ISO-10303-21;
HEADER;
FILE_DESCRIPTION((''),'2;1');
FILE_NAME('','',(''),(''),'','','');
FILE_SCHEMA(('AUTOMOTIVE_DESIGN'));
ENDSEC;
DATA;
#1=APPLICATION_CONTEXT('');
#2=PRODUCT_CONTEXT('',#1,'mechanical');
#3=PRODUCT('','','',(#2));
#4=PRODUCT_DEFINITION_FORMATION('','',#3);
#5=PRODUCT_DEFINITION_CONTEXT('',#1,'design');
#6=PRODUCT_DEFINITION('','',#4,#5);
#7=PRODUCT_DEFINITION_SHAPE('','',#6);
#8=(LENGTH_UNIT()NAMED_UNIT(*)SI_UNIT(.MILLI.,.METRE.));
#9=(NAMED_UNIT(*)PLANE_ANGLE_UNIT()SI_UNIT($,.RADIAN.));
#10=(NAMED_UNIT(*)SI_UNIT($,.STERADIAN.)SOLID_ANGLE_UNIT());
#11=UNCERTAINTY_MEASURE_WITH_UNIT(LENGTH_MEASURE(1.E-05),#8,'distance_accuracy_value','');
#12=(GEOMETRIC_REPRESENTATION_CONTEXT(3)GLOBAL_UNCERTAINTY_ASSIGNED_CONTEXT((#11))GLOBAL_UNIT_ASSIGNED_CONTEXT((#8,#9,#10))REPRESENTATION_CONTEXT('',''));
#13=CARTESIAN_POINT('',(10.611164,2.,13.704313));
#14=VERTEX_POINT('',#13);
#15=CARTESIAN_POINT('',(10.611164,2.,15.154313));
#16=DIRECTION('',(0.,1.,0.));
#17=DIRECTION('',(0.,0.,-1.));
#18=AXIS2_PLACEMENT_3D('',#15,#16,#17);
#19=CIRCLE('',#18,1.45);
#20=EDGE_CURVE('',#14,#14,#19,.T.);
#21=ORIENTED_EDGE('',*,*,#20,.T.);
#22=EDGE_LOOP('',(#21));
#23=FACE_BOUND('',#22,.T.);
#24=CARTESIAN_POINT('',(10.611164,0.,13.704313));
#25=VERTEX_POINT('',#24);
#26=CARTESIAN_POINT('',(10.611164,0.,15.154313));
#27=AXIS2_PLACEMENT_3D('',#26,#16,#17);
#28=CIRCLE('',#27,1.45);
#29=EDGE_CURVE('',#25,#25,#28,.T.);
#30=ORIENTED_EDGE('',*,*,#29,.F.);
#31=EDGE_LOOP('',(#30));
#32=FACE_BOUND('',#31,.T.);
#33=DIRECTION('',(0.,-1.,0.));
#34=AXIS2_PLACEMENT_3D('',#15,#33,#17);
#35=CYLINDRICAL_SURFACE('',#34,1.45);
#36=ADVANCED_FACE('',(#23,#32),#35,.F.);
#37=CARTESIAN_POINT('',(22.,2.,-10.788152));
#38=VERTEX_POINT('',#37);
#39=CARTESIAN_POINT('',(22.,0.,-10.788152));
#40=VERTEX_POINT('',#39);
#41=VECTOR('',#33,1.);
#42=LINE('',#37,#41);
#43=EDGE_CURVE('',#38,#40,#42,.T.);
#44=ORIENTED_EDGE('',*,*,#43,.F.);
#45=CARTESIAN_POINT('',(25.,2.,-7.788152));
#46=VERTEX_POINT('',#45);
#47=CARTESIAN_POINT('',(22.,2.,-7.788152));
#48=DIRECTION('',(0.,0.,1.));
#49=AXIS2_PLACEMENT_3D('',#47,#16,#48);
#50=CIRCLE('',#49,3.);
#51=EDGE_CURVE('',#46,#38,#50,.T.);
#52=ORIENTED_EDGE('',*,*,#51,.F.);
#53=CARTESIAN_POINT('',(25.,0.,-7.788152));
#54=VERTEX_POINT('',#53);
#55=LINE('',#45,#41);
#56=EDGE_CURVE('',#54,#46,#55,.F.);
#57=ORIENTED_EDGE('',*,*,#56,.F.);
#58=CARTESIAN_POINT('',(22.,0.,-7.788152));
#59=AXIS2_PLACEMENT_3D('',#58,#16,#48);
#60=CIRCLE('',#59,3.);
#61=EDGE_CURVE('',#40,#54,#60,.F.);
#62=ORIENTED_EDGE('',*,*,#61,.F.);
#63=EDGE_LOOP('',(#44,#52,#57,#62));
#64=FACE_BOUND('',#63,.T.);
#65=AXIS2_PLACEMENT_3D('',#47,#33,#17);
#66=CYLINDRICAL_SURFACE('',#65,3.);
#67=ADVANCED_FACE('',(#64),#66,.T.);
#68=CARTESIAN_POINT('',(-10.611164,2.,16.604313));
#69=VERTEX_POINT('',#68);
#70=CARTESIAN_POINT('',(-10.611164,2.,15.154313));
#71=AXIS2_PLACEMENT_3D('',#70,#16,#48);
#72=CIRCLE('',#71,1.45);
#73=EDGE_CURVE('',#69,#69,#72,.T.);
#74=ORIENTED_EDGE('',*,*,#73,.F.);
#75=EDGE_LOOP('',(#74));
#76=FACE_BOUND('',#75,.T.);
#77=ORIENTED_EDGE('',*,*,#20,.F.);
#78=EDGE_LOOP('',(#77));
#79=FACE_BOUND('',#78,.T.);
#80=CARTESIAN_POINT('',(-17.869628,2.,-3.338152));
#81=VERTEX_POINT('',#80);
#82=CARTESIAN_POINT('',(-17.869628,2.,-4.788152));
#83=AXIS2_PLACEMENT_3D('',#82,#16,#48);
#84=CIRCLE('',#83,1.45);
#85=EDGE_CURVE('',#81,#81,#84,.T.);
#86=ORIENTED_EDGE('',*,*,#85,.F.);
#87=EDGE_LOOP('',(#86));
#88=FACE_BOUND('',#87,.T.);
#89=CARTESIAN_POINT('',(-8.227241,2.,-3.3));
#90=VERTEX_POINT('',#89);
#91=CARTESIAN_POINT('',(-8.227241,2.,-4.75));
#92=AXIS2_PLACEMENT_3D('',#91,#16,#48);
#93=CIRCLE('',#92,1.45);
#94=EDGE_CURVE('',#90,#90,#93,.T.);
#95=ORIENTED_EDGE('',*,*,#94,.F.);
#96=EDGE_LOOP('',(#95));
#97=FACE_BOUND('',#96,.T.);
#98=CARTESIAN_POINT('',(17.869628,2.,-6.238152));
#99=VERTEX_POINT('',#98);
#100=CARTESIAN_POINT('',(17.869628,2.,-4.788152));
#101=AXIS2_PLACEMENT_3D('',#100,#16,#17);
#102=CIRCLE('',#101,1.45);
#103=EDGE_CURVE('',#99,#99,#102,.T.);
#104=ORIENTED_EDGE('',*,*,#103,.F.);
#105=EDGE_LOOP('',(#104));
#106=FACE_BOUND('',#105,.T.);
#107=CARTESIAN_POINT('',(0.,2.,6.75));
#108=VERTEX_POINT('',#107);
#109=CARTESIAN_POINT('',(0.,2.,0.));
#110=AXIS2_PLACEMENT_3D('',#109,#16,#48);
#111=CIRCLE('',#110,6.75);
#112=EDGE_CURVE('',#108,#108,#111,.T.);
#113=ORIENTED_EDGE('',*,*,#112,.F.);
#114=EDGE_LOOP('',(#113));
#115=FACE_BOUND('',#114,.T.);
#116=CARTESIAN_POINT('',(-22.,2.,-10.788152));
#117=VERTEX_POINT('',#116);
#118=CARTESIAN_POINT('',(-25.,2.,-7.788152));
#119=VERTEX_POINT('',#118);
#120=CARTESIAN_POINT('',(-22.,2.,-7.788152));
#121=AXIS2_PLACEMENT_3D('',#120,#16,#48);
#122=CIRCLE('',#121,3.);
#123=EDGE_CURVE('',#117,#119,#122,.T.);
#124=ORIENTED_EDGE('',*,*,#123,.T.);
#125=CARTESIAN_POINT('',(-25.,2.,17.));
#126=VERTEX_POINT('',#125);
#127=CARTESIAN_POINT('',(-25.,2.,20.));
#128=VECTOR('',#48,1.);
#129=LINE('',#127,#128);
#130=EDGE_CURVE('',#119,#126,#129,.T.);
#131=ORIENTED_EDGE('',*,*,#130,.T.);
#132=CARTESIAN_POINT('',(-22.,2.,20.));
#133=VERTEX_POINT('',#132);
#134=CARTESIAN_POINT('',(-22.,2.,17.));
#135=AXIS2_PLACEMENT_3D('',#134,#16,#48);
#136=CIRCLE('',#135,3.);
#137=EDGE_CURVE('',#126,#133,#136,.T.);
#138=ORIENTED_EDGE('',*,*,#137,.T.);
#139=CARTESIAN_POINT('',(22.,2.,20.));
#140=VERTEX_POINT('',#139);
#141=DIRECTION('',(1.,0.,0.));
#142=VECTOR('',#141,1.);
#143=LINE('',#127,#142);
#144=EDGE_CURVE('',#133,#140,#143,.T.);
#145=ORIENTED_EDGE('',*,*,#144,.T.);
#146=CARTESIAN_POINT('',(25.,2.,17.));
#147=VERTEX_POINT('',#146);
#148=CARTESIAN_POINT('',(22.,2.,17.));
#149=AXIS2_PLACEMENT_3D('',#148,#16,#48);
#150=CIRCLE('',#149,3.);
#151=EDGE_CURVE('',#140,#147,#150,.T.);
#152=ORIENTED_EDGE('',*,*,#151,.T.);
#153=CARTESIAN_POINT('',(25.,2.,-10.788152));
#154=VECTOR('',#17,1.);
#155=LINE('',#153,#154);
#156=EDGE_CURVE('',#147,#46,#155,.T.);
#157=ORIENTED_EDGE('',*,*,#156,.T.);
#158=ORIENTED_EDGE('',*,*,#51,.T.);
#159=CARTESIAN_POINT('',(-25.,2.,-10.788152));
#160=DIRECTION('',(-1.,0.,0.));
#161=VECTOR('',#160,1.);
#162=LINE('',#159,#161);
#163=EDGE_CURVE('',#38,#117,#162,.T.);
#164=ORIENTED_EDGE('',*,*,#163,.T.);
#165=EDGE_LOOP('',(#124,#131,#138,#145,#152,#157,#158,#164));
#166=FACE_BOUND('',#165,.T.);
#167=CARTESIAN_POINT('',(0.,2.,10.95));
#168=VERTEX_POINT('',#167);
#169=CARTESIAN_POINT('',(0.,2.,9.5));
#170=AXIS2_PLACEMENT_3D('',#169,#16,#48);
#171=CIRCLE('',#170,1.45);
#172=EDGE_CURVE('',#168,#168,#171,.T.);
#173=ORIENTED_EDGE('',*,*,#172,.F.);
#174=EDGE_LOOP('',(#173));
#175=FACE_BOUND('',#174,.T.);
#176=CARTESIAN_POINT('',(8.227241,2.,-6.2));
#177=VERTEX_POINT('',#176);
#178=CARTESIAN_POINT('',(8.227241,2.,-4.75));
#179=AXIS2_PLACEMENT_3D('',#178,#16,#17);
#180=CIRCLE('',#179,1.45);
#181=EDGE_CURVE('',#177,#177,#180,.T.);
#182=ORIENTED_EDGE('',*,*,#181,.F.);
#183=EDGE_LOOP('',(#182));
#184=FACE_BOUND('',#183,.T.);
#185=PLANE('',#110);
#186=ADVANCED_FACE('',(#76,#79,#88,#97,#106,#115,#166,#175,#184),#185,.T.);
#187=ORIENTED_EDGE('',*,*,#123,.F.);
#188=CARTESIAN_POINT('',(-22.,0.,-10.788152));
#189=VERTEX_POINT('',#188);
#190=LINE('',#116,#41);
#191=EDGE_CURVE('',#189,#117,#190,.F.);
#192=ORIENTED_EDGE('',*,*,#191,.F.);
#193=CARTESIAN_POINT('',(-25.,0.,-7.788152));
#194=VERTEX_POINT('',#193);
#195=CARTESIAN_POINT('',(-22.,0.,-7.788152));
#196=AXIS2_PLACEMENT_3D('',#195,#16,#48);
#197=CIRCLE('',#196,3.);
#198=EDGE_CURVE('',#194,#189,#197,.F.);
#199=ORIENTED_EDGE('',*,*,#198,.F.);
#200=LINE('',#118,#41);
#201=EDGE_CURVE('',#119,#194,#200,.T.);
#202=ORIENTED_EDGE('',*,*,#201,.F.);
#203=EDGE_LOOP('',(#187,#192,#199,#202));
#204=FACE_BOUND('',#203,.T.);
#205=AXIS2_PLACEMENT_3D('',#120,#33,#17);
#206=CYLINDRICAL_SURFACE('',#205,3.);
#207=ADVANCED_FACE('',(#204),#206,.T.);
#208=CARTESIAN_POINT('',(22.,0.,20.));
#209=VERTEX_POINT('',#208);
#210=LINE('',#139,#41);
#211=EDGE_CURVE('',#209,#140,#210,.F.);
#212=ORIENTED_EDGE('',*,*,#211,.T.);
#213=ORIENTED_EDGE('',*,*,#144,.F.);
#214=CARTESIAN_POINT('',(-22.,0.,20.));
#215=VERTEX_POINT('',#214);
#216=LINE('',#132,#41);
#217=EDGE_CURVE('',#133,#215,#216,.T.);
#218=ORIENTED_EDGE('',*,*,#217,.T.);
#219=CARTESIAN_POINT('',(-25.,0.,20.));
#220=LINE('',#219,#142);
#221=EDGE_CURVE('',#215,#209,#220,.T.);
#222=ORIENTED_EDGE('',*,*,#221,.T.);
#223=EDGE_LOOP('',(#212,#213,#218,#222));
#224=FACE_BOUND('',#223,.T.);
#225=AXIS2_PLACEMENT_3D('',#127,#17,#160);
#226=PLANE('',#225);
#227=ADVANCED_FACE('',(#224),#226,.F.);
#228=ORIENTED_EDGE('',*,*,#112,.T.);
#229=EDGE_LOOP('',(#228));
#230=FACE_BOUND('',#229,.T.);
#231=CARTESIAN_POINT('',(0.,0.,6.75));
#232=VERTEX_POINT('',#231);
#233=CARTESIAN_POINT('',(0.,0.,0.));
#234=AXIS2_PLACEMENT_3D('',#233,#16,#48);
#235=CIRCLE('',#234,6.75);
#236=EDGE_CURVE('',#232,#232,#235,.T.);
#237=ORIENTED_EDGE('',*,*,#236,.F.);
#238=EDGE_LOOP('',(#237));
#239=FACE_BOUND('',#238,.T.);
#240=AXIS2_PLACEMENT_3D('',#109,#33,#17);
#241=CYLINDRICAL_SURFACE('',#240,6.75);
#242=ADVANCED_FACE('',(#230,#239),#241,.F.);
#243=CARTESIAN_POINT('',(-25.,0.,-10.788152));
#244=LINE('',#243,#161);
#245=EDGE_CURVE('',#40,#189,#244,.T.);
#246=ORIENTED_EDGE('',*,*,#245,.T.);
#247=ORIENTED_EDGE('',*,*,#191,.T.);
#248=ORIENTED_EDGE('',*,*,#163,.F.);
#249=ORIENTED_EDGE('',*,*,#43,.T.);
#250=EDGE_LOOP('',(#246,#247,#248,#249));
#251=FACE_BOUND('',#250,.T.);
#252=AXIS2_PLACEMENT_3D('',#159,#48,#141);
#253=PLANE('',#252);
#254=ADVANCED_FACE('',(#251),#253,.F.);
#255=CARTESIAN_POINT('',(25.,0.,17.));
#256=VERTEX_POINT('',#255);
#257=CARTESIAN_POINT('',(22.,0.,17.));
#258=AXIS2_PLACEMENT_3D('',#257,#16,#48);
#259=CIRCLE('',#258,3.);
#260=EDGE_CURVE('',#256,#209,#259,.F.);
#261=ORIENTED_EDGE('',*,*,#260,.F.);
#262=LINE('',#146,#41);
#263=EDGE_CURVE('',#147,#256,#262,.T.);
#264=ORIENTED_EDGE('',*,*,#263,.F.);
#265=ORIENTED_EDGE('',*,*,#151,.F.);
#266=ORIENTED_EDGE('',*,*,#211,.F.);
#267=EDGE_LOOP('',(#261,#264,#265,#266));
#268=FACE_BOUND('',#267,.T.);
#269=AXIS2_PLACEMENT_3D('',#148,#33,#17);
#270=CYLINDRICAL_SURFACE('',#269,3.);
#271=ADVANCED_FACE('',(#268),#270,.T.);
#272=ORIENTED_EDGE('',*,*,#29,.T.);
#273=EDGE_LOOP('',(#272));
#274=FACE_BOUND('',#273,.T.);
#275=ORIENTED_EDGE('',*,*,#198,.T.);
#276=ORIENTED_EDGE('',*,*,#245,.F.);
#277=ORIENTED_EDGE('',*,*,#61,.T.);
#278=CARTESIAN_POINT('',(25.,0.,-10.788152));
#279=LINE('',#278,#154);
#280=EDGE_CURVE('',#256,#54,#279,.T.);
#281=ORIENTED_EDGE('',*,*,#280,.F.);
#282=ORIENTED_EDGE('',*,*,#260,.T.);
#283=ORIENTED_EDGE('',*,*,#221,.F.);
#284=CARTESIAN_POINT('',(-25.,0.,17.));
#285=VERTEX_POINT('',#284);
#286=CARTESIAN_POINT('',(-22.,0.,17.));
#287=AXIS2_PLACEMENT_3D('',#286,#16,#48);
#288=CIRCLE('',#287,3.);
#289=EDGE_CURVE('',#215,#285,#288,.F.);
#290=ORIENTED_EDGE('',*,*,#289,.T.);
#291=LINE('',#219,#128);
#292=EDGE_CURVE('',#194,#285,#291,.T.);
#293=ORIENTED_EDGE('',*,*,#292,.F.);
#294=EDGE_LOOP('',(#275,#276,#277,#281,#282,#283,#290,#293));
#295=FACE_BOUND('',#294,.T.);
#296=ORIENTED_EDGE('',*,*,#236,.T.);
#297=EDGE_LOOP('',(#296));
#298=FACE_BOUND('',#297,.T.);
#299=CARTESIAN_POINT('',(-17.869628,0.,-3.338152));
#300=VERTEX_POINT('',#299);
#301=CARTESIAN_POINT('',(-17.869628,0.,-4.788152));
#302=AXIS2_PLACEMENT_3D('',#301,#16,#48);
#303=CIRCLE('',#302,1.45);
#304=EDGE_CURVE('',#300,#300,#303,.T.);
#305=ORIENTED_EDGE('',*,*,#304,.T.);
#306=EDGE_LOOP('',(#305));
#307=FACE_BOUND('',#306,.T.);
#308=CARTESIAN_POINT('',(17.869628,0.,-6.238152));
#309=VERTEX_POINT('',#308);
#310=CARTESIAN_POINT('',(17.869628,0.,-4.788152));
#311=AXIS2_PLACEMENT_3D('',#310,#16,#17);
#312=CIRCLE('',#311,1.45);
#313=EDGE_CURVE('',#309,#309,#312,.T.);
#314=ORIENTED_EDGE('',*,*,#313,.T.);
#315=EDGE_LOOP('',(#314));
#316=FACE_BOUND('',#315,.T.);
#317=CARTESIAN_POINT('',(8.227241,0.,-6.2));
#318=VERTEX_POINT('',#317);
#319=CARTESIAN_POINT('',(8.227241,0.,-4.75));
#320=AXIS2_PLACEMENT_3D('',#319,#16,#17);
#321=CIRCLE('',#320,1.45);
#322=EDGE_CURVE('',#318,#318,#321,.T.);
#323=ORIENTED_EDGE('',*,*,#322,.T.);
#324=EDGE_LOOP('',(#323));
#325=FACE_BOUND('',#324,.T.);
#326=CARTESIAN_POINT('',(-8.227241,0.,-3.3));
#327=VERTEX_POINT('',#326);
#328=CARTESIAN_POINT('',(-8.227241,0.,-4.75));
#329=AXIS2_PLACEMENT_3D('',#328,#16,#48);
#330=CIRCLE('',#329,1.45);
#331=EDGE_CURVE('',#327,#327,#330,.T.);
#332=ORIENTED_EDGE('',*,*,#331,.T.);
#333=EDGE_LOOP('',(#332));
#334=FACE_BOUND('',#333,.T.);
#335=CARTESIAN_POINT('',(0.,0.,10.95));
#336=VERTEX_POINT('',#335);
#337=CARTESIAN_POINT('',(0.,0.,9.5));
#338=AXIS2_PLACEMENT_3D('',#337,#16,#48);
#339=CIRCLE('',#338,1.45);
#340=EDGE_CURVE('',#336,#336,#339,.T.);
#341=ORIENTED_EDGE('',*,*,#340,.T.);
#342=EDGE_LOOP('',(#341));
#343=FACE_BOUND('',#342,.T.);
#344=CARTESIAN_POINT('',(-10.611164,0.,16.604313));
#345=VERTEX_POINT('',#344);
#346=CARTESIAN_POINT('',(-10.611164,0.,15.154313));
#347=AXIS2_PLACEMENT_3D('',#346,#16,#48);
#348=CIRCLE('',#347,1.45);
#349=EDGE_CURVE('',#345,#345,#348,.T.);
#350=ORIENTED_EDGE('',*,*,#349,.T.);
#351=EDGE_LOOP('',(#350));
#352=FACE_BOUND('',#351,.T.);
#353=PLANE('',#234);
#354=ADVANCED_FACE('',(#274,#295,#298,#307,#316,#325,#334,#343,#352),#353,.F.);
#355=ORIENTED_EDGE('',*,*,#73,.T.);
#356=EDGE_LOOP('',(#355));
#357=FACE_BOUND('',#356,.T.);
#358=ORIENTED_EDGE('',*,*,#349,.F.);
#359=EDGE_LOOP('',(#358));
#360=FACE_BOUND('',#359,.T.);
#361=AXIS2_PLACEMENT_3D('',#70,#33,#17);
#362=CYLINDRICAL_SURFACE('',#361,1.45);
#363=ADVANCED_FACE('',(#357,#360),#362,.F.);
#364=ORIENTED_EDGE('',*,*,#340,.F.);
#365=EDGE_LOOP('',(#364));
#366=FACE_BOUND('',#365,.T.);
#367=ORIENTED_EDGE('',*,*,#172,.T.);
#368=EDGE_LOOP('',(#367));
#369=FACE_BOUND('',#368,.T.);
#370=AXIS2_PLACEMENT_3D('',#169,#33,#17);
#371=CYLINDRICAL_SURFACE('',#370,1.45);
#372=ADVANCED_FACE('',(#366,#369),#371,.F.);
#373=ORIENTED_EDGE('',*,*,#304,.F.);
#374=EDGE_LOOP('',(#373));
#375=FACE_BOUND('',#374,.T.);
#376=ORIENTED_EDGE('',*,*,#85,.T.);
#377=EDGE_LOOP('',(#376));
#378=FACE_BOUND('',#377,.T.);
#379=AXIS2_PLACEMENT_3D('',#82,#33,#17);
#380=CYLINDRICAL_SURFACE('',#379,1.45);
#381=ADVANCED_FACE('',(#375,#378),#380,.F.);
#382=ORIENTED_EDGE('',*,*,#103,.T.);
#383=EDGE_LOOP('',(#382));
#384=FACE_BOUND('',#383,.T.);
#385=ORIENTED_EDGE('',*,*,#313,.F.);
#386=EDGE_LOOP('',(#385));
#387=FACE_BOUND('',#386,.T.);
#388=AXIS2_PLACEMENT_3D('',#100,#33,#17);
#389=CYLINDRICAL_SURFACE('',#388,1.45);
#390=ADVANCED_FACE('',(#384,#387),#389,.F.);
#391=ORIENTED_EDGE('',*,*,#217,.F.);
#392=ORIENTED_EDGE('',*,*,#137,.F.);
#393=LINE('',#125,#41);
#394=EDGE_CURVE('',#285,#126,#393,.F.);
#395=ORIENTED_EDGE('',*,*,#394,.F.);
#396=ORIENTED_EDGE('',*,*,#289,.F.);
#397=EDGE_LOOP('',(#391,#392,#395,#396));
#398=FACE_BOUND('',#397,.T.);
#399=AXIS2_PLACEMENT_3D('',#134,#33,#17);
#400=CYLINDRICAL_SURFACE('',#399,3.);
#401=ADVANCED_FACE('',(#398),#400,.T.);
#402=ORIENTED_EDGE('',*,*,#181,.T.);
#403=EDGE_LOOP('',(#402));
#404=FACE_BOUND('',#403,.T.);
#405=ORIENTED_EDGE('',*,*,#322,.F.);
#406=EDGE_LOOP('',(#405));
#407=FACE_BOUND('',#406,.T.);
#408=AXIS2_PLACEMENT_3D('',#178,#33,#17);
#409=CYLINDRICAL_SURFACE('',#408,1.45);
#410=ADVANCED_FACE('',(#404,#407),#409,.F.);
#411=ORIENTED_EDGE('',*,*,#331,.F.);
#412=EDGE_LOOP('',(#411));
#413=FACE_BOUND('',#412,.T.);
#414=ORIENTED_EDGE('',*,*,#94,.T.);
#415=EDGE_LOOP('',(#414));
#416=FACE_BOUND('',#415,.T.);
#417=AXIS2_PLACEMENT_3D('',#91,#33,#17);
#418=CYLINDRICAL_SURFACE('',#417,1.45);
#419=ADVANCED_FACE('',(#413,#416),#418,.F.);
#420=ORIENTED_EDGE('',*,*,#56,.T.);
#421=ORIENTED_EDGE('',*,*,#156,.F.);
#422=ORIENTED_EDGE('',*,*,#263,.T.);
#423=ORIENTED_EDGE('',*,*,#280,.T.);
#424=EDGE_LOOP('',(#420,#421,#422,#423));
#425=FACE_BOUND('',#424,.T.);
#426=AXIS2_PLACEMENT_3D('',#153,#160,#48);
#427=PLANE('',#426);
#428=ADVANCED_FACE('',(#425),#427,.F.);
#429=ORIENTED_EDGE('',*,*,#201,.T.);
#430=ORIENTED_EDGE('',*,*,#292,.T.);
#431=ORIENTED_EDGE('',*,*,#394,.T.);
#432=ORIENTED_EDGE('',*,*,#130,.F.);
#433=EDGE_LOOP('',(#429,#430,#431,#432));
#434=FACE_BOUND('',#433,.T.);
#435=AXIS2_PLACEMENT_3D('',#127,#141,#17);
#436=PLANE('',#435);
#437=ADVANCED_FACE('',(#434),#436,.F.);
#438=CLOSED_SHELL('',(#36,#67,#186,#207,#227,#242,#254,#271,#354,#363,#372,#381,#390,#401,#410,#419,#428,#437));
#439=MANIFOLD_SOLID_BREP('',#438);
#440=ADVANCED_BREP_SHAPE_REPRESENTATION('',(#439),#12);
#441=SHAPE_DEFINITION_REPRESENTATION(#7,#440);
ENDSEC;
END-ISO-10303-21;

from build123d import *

# Parameters (mm, degrees)
SKETCH_2_W      = 50
SKETCH_2_H      = 30.788152334
SKETCH_2_R      = 6.75
SKETCH_2_R_2    = 1.45
EXTRUDE_1_DEPTH = 2
FILLET_2_R      = 3


with BuildPart() as part:
    # 草图2 → 凸台-拉伸1 (new body)
    with BuildSketch(Plane(origin=(0, 0, 0), x_dir=(1, 0, 0), z_dir=(0, 1, 0))):
        with Locations((0, -4.605923833)):
            Rectangle(SKETCH_2_W, SKETCH_2_H)
        with Locations(Location((0, 0, 0), (0, 0, 270))):
            Circle(SKETCH_2_R, mode=Mode.SUBTRACT)
        with Locations(Location((-8.227241336, 4.75, 0), (0, 0, 270))):
            Circle(SKETCH_2_R_2, mode=Mode.SUBTRACT)
        with Locations(Location((0, -9.5, 0), (0, 0, 270))):
            Circle(SKETCH_2_R_2, mode=Mode.SUBTRACT)
        with Locations(Location((8.227241336, 4.75, 0), (0, 0, 90))):
            Circle(SKETCH_2_R_2, mode=Mode.SUBTRACT)
        with Locations(Location((-10.611164072, -15.154312819, 0), (0, 0, 270))):
            Circle(SKETCH_2_R_2, mode=Mode.SUBTRACT)
        with Locations(Location((-17.869627786, 4.788152334, 0), (0, 0, 270))):
            Circle(SKETCH_2_R_2, mode=Mode.SUBTRACT)
        with Locations(Location((10.611164072, -15.154312819, 0), (0, 0, 90))):
            Circle(SKETCH_2_R_2, mode=Mode.SUBTRACT)
        with Locations(Location((17.869627786, 4.788152334, 0), (0, 0, 90))):
            Circle(SKETCH_2_R_2, mode=Mode.SUBTRACT)
    extrude(amount=EXTRUDE_1_DEPTH)

    # 圆角2
    fillet_2_edges = [part.edges().sort_by_distance(p)[0] for p in [
        (25, 1, 20),
        (-25, 1, 20),
        (-25, 1, -10.788152334),
        (25, 1, -10.788152334),
    ]]
    fillet(fillet_2_edges, radius=FILLET_2_R)


solid = part.part
